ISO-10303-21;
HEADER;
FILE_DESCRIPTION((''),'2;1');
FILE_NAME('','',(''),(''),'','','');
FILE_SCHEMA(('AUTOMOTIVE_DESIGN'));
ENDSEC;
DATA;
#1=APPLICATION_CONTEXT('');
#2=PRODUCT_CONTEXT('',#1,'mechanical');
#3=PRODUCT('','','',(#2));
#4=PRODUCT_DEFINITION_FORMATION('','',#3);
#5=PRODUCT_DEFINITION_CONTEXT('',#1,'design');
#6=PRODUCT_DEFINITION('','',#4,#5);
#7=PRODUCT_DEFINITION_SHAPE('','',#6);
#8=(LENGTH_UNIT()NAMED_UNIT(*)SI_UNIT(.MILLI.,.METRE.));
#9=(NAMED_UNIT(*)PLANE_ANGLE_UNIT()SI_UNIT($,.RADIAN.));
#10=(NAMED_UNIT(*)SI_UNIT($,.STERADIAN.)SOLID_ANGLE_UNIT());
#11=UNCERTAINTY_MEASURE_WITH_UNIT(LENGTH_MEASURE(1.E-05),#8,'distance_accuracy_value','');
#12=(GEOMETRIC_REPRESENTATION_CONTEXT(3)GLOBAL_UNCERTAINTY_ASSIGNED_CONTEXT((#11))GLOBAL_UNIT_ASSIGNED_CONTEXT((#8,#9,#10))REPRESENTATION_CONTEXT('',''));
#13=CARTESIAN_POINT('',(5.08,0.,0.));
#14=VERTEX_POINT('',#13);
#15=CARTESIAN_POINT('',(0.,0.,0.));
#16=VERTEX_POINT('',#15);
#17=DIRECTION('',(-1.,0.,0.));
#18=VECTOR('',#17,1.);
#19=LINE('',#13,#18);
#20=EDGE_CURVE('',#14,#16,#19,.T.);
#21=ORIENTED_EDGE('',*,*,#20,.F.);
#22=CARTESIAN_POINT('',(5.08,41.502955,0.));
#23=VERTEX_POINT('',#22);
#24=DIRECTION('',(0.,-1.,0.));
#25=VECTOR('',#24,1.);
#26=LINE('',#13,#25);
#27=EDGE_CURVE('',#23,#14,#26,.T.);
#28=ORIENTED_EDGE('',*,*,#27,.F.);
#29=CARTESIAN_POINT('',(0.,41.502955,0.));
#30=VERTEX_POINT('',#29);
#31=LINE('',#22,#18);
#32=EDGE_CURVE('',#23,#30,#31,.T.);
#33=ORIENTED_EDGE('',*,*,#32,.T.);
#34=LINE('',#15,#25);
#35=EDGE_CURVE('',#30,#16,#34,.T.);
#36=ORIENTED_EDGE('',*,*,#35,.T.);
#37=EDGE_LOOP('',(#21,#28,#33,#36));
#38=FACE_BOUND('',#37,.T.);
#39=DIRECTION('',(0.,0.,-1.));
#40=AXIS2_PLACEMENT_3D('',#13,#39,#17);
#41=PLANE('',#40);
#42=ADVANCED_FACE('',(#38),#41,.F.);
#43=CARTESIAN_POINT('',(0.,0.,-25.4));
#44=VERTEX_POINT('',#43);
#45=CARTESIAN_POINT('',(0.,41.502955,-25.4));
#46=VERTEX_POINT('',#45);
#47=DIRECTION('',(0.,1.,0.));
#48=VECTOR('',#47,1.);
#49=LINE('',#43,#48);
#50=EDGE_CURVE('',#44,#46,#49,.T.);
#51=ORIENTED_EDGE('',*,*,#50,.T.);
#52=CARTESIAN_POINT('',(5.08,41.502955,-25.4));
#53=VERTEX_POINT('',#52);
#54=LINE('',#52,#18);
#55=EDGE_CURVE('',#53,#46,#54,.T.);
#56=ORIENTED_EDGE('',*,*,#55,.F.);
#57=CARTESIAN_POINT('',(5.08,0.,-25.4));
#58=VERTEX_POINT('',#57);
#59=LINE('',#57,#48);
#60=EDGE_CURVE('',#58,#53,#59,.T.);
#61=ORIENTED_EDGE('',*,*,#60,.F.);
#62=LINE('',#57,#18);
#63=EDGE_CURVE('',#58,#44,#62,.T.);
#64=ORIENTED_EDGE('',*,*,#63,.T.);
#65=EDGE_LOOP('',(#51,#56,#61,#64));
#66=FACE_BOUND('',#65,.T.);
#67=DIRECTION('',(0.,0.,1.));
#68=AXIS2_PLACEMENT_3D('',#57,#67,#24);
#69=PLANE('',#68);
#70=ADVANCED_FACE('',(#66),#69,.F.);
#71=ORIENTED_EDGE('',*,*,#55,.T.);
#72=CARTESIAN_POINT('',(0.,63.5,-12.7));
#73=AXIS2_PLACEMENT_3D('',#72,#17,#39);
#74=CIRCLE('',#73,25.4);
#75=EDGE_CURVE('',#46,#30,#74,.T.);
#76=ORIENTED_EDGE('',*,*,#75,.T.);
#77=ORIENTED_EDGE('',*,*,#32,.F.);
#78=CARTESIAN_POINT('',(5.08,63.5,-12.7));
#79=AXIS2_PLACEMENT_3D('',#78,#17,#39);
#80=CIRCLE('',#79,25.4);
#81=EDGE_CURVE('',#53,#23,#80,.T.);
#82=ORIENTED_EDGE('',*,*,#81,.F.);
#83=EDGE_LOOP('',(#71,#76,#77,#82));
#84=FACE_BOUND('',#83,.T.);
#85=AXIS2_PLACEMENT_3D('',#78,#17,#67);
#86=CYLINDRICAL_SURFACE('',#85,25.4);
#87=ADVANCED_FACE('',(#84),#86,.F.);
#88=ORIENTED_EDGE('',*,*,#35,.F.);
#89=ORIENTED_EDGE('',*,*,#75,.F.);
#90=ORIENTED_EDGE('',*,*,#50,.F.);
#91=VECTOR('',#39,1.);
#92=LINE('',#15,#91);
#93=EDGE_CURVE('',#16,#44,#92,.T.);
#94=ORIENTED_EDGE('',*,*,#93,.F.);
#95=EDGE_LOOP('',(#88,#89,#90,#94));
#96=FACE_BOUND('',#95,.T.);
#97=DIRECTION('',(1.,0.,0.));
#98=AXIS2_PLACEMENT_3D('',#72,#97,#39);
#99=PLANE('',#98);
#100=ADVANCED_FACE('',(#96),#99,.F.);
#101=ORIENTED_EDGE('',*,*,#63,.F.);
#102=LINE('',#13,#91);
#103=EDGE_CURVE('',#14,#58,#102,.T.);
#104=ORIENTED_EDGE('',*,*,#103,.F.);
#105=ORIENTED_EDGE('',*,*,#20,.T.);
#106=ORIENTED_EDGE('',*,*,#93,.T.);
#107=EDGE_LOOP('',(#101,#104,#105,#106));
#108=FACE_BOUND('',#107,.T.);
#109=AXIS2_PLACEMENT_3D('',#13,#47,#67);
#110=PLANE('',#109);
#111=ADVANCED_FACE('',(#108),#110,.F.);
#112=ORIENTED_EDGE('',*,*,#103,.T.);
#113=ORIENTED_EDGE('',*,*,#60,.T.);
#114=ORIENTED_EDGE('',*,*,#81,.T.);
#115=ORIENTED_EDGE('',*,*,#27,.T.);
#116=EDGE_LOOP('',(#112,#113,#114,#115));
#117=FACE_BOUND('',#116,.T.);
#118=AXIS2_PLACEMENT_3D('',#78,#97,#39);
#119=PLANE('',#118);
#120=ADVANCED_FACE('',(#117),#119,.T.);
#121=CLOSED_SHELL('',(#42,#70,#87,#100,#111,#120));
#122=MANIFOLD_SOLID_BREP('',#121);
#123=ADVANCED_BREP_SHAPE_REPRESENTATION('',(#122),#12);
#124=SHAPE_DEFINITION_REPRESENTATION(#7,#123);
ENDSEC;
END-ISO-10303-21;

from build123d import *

# Parameters (mm, degrees)
BOSS_EXTRUDE1_DEPTH = 5.08


with BuildPart() as part:
    # Sketch1 → Boss-Extrude1 (new body)
    with BuildSketch(Plane(origin=(0, 0, 0), x_dir=(0, 0, -1), z_dir=(1, 0, 0))):
        with BuildLine():
            Line((0, 0), (25.4, 0))
            Line((25.4, 0), (25.4, 41.502954744))
            ThreePointArc((25.4, 41.502954744), (12.7, 38.1), (0, 41.502954744))
            Line((0, 41.502954744), (0, 0))
        make_face()
    extrude(amount=BOSS_EXTRUDE1_DEPTH)


solid = part.part
